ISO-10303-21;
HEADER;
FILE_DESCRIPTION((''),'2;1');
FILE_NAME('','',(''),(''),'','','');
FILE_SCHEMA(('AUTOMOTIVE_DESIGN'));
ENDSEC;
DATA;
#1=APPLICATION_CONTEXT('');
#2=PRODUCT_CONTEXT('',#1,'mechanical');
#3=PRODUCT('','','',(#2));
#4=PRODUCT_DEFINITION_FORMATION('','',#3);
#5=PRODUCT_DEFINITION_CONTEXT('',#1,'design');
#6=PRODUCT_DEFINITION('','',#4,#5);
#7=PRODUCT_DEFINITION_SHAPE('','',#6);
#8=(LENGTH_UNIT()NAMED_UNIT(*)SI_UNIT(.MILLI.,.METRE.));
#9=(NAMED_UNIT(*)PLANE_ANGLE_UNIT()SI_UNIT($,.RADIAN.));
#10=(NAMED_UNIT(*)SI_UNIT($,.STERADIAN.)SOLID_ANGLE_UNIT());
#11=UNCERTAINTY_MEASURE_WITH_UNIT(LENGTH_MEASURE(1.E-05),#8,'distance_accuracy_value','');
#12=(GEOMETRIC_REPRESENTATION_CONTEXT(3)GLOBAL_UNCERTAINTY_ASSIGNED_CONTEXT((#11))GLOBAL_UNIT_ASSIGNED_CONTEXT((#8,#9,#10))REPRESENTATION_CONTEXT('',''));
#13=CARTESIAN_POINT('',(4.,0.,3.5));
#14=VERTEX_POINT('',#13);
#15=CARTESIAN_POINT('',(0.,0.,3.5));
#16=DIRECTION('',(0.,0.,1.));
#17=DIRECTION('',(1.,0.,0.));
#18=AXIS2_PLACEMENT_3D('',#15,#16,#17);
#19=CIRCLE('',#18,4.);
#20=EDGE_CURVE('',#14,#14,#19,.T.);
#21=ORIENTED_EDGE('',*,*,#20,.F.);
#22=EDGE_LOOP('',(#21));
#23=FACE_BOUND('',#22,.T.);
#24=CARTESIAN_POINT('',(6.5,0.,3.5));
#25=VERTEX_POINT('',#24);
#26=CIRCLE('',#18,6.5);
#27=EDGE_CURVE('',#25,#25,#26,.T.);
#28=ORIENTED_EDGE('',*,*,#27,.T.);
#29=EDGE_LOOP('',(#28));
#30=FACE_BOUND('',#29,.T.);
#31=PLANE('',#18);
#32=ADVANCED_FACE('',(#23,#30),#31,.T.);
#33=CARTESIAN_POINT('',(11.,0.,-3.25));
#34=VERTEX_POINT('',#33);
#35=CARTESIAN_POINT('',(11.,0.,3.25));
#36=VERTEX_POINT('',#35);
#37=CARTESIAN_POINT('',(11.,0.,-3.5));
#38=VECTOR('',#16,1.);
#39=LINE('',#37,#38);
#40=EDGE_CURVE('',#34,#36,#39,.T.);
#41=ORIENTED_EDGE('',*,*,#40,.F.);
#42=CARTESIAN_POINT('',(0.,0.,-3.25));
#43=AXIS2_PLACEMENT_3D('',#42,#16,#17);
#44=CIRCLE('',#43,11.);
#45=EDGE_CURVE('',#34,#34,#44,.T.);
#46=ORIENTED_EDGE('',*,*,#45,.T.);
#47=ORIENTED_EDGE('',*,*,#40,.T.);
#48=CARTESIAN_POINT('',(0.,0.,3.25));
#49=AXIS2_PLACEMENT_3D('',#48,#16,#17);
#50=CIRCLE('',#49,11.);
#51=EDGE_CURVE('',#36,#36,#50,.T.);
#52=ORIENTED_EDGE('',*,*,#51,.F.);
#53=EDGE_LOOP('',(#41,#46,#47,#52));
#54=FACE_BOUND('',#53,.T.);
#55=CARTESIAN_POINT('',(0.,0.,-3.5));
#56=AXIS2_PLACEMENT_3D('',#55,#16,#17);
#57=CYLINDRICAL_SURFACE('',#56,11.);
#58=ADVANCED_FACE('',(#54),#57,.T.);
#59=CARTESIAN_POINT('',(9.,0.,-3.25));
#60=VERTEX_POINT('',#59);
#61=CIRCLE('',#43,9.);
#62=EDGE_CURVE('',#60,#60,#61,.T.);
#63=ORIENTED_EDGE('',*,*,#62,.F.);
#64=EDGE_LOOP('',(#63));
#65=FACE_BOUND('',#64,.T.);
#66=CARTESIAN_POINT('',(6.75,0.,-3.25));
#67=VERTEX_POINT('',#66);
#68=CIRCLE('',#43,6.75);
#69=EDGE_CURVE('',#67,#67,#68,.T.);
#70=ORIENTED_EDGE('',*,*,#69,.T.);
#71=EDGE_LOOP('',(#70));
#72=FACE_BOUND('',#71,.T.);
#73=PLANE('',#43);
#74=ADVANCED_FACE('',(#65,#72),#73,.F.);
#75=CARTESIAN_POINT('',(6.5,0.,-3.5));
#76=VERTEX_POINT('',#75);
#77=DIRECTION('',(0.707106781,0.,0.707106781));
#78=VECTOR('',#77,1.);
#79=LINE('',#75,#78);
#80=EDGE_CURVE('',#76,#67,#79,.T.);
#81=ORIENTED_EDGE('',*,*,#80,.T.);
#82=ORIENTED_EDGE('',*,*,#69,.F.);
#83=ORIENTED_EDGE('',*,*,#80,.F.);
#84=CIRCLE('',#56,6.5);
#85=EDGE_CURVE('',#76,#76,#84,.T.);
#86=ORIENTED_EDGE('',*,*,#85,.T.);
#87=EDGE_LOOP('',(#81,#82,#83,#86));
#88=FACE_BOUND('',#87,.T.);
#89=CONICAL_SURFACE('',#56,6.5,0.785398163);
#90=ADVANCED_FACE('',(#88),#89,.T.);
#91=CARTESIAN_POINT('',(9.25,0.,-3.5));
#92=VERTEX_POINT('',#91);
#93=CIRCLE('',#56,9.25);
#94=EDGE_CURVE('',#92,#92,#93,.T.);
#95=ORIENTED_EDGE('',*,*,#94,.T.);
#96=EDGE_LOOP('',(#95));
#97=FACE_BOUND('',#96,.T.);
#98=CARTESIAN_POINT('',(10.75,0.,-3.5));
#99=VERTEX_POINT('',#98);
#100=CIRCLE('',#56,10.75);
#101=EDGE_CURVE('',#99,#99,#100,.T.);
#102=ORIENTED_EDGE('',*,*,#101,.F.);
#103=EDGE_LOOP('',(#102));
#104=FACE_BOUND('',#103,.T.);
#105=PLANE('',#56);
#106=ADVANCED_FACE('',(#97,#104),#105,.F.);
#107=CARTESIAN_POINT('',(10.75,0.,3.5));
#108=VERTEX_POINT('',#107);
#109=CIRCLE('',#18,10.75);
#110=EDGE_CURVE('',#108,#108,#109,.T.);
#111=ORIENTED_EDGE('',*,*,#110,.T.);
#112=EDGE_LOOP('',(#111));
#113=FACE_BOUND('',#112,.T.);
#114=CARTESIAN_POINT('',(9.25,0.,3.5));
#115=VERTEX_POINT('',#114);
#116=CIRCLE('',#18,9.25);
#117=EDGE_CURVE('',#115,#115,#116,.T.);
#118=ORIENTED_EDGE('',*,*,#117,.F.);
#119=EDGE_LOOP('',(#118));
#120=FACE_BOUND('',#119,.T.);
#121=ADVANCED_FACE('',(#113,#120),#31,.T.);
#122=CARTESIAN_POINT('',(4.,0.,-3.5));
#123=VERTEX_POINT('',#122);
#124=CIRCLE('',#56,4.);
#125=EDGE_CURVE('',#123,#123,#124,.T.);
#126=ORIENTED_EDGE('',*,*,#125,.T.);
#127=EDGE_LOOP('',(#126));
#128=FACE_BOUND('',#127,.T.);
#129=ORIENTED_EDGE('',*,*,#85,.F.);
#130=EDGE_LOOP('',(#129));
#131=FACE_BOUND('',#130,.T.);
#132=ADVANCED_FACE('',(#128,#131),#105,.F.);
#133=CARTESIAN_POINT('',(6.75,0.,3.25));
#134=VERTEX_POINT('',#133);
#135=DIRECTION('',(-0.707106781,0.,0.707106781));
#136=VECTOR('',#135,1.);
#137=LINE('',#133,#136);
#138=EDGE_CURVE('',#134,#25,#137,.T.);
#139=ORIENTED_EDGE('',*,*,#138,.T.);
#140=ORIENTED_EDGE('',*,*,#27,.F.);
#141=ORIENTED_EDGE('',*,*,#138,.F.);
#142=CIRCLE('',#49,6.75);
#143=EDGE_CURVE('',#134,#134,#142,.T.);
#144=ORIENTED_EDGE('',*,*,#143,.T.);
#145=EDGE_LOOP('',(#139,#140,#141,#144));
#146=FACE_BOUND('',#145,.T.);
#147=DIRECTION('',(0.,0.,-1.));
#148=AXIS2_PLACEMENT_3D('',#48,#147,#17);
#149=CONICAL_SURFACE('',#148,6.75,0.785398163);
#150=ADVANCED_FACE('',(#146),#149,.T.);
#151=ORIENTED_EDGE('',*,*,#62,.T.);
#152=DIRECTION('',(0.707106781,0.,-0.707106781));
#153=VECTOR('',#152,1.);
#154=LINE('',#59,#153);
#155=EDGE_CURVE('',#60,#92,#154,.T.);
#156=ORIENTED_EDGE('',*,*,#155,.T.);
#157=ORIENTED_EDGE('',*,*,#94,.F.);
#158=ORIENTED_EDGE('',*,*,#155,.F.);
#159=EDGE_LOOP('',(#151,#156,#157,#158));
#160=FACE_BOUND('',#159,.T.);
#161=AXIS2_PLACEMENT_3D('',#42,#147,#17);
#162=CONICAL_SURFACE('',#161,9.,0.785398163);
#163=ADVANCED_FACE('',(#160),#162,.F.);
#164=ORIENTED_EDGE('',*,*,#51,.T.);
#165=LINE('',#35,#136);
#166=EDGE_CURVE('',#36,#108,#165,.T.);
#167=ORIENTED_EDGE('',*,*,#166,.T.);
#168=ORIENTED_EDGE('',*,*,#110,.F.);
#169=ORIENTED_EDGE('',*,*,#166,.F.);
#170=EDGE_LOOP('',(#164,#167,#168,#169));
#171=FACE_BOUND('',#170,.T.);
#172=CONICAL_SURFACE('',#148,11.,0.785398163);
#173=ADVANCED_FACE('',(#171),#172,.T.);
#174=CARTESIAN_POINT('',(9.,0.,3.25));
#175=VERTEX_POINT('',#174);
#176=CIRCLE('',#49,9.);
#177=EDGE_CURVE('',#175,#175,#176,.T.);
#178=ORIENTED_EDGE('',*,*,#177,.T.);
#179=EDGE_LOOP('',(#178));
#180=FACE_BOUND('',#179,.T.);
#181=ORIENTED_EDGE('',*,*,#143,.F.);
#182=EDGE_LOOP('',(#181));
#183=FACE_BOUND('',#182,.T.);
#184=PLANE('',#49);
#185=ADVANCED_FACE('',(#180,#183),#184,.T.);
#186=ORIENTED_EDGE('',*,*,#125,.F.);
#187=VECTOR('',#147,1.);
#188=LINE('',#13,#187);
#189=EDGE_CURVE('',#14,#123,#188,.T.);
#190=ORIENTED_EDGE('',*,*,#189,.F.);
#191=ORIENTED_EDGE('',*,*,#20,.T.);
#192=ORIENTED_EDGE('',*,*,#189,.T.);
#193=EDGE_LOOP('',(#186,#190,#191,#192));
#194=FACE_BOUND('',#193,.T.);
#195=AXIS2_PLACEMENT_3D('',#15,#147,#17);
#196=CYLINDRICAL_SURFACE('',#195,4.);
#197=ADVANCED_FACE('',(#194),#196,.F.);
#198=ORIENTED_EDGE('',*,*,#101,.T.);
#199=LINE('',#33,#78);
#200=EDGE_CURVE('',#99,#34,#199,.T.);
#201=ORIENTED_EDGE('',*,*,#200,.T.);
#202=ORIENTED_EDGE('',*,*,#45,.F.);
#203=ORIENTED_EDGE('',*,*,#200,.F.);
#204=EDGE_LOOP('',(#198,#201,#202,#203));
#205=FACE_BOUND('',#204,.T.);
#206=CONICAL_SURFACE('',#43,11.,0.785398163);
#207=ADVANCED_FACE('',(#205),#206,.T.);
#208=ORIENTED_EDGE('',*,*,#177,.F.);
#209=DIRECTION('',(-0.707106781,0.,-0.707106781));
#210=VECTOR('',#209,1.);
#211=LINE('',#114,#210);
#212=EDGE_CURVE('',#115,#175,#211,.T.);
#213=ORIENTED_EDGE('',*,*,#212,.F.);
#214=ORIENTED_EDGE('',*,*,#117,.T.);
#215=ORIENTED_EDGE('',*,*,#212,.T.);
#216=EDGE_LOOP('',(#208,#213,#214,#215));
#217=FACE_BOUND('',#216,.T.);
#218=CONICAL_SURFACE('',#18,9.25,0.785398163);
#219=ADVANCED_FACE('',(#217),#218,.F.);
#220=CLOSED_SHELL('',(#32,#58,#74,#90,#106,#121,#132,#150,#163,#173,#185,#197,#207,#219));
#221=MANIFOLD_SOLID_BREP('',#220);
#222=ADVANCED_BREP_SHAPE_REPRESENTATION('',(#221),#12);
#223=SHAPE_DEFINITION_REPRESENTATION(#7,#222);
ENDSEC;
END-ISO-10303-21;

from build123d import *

# Parameters (mm, degrees)
CHAMFER_SIZE = 0.25


with BuildPart() as part:
    # Sketch001 → Revolution (revolve)
    with BuildSketch(Plane.XZ):
        Polygon((4, -3.5), (6.5, -3.5), (6.75, -3.25), (9, -3.25), (9.25, -3.5), (11, -3.5), (11, 3.5), (9.25, 3.5), (9, 3.25), (6.75, 3.25), (6.5, 3.5), (4, 3.5), align=None)
    revolve(axis=Axis((0, 0, 0), (0, 0, 1)))

    # Chamfer
    chamfer_edges = [part.edges().sort_by_distance(p)[0] for p in [
        (-11, 0, 3.5),
        (-11, 0, -3.5),
    ]]
    chamfer(chamfer_edges, length=CHAMFER_SIZE)


solid = part.part
